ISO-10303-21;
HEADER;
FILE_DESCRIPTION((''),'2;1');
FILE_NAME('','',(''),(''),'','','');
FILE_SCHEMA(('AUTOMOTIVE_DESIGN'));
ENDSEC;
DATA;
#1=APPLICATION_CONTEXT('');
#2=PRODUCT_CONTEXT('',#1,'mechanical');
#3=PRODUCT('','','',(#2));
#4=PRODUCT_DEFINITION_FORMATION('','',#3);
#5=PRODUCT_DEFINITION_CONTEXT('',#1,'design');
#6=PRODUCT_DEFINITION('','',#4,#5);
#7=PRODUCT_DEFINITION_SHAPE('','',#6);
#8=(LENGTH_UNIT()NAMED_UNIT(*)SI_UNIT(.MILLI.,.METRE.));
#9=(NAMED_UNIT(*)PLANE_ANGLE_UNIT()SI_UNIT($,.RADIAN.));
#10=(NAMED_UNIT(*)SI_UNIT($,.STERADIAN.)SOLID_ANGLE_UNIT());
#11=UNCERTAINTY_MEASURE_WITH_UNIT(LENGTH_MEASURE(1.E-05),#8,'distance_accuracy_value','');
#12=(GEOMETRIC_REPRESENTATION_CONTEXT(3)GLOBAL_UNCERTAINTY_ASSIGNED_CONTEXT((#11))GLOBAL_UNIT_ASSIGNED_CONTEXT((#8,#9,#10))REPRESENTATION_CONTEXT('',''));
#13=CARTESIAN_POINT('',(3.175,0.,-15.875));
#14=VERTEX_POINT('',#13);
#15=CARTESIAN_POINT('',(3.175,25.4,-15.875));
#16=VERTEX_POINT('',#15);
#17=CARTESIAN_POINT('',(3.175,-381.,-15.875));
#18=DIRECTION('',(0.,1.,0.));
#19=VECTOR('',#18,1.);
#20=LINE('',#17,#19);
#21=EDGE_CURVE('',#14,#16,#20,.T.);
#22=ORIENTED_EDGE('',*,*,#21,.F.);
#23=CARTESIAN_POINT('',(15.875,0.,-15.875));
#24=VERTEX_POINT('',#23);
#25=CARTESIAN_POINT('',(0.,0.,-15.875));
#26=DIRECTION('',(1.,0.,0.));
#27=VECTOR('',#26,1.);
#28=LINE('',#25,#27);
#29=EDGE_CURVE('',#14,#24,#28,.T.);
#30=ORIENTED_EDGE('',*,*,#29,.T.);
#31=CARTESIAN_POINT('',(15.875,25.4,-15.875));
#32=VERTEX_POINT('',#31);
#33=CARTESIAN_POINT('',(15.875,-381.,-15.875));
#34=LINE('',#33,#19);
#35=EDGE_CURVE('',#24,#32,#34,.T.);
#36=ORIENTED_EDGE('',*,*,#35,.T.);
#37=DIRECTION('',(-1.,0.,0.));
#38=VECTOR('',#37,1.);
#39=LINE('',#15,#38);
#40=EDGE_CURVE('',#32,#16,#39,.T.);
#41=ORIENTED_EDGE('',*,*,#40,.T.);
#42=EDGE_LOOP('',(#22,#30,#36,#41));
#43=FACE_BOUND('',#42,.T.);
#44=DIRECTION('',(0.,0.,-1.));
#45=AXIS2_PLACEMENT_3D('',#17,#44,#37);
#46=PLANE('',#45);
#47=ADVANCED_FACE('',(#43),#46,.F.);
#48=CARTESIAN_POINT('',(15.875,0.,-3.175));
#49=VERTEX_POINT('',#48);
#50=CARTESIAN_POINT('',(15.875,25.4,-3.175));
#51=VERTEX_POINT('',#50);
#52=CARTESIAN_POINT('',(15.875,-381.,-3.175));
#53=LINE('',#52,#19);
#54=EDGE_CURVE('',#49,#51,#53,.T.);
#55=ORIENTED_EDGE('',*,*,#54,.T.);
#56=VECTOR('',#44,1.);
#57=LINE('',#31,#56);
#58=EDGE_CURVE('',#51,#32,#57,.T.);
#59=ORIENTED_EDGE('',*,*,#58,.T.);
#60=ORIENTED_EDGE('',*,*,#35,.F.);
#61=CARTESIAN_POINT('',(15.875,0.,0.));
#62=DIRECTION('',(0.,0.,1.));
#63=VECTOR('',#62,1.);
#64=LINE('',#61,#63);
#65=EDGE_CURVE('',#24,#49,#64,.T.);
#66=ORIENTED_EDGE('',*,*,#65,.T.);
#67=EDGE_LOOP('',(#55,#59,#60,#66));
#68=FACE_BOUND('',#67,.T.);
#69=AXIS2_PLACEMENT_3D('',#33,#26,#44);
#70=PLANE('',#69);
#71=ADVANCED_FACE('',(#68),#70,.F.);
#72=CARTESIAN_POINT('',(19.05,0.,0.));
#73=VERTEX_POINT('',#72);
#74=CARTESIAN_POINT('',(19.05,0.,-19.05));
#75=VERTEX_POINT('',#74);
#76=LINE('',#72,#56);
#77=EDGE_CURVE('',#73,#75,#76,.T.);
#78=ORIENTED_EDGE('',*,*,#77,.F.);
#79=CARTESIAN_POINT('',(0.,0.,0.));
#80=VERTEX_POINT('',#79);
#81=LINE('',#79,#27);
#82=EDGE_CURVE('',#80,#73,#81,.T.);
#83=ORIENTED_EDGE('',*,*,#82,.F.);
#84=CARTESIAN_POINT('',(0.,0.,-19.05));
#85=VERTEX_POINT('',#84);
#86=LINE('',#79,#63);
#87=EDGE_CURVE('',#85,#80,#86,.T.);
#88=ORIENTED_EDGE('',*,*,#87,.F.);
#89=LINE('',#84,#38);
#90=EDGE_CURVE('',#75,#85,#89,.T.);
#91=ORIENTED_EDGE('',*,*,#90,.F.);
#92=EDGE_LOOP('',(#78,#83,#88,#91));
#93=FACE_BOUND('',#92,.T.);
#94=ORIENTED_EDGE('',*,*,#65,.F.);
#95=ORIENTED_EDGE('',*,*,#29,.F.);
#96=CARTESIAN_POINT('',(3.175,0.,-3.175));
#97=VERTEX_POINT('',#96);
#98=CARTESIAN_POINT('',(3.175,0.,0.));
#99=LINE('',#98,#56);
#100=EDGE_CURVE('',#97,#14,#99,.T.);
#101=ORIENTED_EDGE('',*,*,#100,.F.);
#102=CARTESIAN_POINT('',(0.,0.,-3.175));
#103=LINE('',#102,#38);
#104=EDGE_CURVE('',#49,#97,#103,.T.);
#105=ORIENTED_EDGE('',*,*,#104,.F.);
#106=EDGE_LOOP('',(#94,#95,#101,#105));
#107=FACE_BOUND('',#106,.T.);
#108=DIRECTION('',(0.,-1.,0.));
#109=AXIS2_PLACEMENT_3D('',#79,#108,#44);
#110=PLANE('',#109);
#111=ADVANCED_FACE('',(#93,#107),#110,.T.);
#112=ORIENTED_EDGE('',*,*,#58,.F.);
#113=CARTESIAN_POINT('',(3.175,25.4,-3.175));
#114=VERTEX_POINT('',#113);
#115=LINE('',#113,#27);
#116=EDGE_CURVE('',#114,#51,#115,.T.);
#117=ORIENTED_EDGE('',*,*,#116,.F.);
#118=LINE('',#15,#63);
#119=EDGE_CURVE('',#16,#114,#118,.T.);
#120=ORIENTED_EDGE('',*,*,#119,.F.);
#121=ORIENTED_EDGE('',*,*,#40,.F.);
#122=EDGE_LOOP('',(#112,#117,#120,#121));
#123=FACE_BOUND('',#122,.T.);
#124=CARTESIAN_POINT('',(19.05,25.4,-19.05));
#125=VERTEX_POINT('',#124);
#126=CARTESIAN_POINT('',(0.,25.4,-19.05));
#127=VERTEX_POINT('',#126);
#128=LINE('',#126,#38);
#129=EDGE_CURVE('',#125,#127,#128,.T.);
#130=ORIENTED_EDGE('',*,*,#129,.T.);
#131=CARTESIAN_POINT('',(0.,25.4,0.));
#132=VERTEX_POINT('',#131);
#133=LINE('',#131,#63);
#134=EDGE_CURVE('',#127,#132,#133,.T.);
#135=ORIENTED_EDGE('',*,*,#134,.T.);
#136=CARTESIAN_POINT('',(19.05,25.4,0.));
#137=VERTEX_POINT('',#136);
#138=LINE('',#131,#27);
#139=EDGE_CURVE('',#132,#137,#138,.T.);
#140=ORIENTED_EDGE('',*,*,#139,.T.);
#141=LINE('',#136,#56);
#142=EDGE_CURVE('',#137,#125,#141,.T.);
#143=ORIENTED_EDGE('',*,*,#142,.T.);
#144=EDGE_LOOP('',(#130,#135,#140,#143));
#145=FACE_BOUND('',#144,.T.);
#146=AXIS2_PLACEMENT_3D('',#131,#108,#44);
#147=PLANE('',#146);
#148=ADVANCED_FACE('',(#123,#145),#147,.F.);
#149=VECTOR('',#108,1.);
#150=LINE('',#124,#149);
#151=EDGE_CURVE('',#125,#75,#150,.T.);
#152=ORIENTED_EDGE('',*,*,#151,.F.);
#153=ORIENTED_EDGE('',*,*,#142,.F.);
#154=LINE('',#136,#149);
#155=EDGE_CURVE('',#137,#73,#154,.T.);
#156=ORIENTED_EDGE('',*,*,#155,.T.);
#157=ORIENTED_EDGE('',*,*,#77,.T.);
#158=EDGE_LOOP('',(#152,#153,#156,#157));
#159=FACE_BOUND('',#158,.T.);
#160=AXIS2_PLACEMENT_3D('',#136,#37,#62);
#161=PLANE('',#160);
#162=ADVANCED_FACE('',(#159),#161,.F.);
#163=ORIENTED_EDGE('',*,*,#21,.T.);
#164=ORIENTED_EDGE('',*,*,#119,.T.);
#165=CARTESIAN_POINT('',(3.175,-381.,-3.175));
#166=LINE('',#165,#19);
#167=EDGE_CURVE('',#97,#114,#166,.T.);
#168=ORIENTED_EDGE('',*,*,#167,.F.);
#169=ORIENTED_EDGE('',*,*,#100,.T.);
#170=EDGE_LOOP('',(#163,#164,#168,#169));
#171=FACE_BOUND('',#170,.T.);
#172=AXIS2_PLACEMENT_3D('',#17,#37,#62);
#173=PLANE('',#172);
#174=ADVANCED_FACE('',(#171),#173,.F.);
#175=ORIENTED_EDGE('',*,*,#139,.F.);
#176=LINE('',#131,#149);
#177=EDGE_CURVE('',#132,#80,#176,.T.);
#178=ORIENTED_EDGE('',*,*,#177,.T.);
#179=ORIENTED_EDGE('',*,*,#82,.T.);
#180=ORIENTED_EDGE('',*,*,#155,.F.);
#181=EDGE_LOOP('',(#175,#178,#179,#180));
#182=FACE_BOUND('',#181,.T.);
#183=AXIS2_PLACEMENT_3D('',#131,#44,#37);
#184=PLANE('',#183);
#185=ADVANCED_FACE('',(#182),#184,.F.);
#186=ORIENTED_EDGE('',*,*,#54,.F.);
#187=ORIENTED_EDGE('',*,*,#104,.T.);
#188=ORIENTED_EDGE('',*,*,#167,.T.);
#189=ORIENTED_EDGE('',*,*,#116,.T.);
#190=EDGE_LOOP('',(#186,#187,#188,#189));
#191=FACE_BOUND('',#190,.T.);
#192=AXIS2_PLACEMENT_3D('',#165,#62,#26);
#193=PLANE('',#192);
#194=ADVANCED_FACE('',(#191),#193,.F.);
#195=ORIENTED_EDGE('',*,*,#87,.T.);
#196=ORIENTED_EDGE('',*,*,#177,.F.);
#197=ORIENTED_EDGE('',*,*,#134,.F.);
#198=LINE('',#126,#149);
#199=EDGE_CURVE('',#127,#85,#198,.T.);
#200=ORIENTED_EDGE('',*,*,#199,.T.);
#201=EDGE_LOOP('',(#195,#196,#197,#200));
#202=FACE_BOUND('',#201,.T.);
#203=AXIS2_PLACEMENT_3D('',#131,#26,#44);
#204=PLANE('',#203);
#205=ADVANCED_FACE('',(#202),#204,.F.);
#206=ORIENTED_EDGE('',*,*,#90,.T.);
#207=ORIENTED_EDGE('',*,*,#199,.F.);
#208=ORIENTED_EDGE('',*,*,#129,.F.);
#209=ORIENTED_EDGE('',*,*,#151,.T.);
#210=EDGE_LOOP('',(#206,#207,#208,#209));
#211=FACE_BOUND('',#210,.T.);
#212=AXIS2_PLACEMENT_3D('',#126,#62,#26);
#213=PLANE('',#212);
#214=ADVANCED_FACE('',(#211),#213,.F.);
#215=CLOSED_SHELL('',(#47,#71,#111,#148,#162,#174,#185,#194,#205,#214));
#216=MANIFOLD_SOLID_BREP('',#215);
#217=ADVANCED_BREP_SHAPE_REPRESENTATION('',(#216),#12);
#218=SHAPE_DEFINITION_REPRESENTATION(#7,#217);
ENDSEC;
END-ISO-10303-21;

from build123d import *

# Parameters (mm, degrees)
SKETCH1_W           = 19.05
SKETCH1_H           = 19.05
BOSS_EXTRUDE1_DEPTH = 25.4
SKETCH2_W           = 12.7
SKETCH2_H           = 12.7
CUT_EXTRUDE1_DEPTH  = 406.4


with BuildPart() as part:
    # Sketch1 → Boss-Extrude1 (new body)
    with BuildSketch(Plane(origin=(0, 0, 0), x_dir=(1, 0, 0), z_dir=(0, 1, 0))):
        with Locations((9.525, 9.525)):
            Rectangle(SKETCH1_W, SKETCH1_H)
    extrude(amount=BOSS_EXTRUDE1_DEPTH)

    # Sketch2 → Cut-Extrude1 (cut)
    with BuildSketch(Plane(origin=(0, 25.4, 0), x_dir=(1, 0, 0), z_dir=(0, 1, 0))):
        with Locations((9.525, 9.525)):
            Rectangle(SKETCH2_W, SKETCH2_H)
    extrude(amount=-CUT_EXTRUDE1_DEPTH, mode=Mode.SUBTRACT)


solid = part.part
